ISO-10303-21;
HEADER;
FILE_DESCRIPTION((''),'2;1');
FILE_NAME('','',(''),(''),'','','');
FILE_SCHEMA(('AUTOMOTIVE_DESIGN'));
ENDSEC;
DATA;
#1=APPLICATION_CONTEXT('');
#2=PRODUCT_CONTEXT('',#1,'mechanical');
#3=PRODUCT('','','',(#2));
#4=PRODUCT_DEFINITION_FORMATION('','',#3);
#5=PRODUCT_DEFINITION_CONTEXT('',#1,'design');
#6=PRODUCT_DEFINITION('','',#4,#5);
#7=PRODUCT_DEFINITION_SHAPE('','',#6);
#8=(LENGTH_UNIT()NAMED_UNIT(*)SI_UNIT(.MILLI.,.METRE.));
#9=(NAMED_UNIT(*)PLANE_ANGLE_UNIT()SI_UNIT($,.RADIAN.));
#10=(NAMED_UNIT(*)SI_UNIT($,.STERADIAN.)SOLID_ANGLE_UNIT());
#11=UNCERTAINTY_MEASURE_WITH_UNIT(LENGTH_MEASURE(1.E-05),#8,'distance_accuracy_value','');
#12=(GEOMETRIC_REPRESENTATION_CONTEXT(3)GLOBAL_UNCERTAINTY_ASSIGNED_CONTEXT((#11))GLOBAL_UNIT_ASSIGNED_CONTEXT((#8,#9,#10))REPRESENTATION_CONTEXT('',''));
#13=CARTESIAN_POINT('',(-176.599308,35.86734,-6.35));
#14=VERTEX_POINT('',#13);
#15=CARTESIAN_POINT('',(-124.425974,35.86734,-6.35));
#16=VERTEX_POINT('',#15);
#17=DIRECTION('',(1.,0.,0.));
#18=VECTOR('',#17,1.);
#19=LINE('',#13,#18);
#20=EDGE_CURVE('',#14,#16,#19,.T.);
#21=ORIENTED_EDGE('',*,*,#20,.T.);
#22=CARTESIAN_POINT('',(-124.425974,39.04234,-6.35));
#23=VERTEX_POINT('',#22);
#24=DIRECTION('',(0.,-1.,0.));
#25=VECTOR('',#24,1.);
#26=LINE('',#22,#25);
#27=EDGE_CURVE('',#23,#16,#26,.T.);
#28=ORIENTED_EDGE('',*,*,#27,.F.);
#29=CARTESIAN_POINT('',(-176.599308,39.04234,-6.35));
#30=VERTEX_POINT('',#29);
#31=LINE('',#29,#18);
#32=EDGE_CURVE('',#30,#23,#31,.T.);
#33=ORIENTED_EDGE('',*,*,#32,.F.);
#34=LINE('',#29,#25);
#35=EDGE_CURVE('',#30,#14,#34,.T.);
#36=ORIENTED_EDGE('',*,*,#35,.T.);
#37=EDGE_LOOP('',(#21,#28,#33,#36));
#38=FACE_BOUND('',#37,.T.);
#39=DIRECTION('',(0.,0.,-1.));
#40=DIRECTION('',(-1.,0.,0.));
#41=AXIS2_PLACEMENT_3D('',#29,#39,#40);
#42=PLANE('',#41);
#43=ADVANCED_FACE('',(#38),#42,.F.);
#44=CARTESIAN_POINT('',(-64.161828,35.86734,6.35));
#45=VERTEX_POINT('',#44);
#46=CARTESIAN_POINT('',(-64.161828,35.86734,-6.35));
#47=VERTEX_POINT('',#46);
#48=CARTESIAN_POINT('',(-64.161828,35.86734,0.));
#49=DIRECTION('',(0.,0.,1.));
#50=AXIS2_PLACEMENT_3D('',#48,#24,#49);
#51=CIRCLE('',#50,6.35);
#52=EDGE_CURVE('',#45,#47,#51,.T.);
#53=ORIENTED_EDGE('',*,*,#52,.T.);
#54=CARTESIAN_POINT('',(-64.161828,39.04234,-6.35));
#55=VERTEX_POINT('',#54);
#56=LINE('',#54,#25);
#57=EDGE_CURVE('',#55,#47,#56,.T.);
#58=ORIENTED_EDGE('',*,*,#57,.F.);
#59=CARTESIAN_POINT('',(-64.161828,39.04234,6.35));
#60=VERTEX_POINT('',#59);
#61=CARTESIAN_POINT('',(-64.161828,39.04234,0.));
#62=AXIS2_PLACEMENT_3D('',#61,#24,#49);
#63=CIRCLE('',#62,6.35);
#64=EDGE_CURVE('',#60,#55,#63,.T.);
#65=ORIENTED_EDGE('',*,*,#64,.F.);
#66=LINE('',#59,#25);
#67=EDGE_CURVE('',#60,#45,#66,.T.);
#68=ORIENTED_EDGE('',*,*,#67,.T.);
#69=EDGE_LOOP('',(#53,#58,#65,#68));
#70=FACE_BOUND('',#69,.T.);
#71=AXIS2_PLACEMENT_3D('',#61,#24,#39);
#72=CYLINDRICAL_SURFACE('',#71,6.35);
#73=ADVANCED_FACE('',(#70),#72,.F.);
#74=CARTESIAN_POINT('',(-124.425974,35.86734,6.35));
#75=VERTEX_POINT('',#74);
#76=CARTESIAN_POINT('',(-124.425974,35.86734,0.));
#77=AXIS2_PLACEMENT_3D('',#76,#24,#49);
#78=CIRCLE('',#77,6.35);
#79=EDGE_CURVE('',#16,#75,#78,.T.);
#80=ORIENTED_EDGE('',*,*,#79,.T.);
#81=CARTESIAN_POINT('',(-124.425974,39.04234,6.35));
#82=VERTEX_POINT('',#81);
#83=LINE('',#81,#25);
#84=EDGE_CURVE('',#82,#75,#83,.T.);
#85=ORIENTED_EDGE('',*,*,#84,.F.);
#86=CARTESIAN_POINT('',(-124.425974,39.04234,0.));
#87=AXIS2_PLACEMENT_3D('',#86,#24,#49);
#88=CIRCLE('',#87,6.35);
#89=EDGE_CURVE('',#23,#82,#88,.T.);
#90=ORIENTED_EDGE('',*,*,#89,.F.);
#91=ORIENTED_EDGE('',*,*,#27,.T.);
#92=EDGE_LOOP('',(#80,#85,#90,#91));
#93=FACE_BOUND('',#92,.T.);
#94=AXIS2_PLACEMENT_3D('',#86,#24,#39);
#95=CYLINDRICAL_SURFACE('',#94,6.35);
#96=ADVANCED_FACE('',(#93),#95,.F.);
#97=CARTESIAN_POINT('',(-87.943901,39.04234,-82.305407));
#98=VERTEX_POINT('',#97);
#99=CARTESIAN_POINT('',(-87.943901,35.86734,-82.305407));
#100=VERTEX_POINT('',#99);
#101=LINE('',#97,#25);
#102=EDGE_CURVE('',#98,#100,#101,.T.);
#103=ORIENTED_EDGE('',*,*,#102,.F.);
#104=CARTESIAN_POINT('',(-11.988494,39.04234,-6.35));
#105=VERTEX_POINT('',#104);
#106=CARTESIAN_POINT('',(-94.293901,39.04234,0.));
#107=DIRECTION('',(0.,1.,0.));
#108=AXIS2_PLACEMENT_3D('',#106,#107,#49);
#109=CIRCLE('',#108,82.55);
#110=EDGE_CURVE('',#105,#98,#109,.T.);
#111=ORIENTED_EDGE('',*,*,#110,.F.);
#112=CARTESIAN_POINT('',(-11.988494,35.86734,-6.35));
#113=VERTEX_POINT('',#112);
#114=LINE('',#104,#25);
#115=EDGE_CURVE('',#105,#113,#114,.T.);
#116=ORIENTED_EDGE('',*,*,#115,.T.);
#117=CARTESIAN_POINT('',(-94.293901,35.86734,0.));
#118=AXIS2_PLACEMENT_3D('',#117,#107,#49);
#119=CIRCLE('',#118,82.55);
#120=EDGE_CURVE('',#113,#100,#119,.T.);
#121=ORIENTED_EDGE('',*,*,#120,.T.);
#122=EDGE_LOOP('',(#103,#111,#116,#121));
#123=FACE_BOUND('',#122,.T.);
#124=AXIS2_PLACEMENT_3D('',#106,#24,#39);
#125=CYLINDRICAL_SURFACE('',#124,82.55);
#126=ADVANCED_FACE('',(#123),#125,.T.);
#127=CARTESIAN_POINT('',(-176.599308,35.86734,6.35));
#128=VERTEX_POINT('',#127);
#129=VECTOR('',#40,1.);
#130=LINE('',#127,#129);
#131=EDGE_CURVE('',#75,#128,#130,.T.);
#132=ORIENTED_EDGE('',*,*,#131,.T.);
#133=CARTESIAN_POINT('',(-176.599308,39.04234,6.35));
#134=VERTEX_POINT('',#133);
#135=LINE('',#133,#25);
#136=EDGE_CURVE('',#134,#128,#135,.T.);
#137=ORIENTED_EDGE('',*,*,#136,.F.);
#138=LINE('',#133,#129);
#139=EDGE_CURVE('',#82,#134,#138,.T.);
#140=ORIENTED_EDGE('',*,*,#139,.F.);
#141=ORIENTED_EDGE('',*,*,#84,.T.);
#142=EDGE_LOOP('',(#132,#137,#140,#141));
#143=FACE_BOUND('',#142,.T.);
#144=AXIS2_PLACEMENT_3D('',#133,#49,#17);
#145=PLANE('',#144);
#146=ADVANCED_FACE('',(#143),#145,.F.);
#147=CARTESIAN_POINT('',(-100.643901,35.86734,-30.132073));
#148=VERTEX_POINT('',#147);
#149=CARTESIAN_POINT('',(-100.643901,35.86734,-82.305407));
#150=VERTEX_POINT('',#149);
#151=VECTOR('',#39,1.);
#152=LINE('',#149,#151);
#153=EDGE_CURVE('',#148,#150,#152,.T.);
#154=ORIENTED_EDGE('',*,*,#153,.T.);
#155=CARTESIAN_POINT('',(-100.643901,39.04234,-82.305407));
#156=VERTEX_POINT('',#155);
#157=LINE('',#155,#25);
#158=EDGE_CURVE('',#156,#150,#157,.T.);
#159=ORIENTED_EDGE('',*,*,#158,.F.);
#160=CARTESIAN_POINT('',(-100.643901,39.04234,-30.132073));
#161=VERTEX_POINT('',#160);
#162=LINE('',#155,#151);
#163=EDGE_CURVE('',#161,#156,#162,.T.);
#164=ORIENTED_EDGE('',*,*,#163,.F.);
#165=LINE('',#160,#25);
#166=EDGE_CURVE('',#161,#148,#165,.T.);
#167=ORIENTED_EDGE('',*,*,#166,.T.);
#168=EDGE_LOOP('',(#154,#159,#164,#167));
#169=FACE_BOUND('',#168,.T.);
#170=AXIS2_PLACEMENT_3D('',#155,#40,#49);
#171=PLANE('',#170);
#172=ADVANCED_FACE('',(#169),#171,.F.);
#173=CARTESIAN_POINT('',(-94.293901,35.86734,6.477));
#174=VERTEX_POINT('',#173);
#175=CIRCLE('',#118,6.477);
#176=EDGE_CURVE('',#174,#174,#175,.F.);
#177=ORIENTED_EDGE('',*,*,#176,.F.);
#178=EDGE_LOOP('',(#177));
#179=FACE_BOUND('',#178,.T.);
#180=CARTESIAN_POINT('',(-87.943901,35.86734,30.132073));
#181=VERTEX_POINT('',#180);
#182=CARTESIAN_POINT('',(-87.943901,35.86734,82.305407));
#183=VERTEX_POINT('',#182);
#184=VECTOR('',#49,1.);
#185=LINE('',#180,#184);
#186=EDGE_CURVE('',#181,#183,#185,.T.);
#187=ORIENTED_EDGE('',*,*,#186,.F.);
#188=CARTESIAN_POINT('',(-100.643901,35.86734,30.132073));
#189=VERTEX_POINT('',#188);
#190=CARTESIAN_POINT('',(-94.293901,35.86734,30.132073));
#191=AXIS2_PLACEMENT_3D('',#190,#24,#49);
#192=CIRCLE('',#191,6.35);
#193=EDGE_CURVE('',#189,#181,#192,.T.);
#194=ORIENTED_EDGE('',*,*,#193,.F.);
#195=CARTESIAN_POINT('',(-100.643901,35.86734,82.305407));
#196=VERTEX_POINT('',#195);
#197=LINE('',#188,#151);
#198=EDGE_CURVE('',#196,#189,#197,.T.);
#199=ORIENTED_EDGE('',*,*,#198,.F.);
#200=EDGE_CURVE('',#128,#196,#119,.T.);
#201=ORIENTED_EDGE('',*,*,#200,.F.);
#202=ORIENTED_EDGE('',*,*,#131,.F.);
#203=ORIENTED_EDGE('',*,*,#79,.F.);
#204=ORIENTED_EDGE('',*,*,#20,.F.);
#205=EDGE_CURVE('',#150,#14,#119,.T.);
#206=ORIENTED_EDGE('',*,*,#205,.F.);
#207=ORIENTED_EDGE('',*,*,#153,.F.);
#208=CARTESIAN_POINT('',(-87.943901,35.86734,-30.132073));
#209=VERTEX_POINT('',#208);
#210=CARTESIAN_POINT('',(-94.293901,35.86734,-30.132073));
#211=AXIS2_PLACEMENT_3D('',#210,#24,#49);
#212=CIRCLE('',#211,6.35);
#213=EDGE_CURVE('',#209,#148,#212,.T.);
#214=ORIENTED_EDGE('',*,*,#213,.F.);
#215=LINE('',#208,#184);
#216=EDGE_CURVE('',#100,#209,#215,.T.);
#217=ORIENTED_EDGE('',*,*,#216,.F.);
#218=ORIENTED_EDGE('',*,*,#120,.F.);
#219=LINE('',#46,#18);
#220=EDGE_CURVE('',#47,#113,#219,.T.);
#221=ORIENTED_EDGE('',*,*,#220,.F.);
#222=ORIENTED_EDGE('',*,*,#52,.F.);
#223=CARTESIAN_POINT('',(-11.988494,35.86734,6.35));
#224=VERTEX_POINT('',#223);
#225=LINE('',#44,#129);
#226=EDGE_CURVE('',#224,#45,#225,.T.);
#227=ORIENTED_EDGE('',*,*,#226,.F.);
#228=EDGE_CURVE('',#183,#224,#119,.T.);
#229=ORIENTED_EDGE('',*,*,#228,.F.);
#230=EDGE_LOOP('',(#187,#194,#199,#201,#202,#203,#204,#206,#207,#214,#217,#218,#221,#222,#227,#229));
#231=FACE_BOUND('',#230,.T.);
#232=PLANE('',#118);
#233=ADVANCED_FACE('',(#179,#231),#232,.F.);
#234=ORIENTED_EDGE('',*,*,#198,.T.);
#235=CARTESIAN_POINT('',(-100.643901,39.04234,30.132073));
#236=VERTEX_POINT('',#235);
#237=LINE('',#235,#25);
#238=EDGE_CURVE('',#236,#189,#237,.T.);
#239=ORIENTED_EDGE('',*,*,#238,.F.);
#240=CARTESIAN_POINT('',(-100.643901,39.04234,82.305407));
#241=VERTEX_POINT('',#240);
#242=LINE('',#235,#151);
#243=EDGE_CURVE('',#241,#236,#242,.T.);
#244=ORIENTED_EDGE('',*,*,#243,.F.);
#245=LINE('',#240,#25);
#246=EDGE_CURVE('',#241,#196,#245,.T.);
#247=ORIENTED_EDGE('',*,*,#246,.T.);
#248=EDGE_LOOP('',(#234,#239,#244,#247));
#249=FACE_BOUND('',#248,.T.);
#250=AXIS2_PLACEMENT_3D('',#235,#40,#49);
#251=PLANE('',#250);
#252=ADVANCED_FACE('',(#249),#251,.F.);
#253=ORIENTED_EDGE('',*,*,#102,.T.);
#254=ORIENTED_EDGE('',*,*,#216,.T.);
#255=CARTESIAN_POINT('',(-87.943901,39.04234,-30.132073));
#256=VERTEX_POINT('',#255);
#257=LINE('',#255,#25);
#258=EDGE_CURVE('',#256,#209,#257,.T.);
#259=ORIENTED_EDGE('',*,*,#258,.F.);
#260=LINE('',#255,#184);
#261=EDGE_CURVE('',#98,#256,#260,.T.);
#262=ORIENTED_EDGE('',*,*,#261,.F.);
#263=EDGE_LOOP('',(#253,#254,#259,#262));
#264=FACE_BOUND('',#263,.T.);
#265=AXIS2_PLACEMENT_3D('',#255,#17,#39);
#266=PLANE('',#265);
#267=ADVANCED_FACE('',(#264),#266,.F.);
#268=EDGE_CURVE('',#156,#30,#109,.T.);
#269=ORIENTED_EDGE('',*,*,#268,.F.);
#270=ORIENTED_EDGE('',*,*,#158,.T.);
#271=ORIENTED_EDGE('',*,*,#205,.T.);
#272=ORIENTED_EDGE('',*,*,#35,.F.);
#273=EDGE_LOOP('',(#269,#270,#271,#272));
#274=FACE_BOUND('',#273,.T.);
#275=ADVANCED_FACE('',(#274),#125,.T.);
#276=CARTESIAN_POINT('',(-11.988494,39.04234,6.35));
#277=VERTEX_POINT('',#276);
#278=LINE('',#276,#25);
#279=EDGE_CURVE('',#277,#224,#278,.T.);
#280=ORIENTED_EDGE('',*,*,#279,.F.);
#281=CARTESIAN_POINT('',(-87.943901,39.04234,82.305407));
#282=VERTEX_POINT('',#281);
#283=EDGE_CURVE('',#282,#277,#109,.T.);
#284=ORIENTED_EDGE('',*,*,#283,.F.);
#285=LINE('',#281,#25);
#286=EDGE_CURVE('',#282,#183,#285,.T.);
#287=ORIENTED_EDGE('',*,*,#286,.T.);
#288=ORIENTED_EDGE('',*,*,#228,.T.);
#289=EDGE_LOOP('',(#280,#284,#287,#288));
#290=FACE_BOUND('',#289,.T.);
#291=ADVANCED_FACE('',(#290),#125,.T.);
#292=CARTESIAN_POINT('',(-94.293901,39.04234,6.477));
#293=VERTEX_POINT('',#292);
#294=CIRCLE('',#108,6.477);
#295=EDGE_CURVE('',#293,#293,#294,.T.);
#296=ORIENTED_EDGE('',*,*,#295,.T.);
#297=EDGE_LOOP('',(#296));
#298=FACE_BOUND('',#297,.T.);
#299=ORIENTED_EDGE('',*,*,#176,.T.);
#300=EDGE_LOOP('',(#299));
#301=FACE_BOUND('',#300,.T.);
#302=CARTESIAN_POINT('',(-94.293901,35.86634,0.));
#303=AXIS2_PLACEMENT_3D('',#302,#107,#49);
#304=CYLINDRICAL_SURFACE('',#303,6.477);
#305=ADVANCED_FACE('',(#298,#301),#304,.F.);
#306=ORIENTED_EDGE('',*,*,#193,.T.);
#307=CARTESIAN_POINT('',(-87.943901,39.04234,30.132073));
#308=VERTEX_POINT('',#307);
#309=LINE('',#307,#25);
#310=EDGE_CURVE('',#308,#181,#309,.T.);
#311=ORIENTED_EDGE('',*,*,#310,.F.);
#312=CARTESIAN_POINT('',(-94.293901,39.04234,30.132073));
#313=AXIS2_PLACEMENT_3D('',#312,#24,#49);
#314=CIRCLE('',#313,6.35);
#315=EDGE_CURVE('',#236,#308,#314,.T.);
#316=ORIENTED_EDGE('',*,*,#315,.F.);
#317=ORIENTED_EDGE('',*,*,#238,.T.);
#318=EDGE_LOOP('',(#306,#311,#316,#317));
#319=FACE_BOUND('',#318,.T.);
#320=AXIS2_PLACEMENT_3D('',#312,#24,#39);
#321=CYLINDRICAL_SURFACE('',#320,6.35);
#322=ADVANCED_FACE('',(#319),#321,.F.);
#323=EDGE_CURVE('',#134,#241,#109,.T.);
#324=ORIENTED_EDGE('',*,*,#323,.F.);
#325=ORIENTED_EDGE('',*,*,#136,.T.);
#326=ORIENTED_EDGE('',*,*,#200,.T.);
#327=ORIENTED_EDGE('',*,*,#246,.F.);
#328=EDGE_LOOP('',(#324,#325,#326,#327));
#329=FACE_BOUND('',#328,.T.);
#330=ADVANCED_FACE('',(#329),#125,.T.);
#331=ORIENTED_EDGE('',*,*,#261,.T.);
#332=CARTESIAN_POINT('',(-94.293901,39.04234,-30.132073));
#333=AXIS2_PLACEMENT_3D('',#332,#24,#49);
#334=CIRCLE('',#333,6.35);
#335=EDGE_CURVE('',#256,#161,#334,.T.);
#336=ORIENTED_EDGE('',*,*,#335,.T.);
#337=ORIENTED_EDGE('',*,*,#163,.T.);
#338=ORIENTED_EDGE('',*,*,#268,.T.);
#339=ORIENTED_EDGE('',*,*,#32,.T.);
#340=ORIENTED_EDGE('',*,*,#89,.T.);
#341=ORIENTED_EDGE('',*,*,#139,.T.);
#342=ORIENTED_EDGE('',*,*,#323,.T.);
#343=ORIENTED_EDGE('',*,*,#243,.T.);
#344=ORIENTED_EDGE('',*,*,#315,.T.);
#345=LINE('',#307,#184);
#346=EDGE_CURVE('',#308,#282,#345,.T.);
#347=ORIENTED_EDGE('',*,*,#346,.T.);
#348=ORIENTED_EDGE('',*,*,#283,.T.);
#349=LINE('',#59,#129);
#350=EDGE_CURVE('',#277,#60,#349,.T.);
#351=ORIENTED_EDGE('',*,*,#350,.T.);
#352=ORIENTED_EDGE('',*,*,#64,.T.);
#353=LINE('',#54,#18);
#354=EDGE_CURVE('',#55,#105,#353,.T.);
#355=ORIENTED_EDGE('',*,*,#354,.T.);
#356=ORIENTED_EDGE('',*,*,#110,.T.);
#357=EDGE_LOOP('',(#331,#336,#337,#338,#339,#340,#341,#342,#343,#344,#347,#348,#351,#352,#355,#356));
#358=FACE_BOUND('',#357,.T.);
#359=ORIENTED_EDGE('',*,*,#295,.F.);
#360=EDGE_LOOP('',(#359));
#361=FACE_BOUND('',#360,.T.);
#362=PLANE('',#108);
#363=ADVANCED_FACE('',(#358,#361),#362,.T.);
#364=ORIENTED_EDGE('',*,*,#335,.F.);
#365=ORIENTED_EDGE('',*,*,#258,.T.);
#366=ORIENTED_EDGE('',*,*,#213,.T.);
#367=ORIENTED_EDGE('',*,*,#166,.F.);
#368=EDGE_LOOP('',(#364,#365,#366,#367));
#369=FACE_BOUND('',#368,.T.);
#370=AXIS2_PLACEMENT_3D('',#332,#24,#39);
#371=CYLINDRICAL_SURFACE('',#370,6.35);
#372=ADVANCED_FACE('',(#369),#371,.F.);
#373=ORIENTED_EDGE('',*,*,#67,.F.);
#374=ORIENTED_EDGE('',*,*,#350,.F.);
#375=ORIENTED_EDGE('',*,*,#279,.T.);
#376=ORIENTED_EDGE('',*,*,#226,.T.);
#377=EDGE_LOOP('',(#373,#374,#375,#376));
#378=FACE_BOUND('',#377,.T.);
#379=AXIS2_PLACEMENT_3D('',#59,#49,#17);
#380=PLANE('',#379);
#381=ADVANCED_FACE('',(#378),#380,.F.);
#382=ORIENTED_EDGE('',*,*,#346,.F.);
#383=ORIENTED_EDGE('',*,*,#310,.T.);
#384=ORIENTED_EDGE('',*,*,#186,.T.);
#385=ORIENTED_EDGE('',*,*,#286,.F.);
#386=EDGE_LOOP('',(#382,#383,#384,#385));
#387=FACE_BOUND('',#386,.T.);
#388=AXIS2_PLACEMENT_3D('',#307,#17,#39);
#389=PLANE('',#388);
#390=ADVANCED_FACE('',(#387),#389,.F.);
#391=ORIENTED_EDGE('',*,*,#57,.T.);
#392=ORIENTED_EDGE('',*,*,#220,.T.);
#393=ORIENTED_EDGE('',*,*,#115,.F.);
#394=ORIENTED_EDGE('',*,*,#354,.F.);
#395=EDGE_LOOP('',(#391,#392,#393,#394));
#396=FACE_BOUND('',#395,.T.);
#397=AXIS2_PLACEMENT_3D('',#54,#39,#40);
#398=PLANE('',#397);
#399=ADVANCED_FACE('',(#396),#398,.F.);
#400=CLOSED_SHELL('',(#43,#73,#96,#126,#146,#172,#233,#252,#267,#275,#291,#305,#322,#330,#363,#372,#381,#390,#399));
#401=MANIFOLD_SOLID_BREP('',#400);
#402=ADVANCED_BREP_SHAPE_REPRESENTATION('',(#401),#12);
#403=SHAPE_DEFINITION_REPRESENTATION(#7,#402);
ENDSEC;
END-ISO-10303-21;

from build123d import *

# Parameters (mm, degrees)
BOSS_EXTRUDE1_DEPTH = 3.175
CUT_EXTRUDE1_REACH  = 5.175
SKETCH5_R           = 6.477


with BuildPart() as part:
    # Sketch4 → Boss-Extrude1 (new body)
    with BuildSketch(Plane(origin=(0, 35.86734, 0), x_dir=(1, 0, 0), z_dir=(0, 1, 0))):
        with BuildLine():
            Line((-176.599307952, 6.35), (-124.425974424, 6.35))
            ThreePointArc((-124.425974424, 6.35), (-118.075974424, 0), (-124.425974424, -6.35))
            Line((-124.425974424, -6.35), (-176.599307952, -6.35))
            ThreePointArc((-176.599307952, -6.35), (-152.665565869, -58.371664787), (-100.643901082, -82.30540687))
            Line((-100.643901082, -82.30540687), (-100.643901082, -30.132073341))
            ThreePointArc((-100.643901082, -30.132073341), (-94.293901082, -23.782073341), (-87.943901082, -30.132073341))
            Line((-87.943901082, -30.132073341), (-87.943901082, -82.30540687))
            ThreePointArc((-87.943901082, -82.30540687), (-35.922236295, -58.371664787), (-11.988494212, -6.35))
            Line((-11.988494212, -6.35), (-64.161827741, -6.35))
            ThreePointArc((-64.161827741, -6.35), (-70.511827741, 0), (-64.161827741, 6.35))
            Line((-64.161827741, 6.35), (-11.988494212, 6.35))
            ThreePointArc((-11.988494212, 6.35), (-35.922236295, 58.371664787), (-87.943901082, 82.30540687))
            Line((-87.943901082, 82.30540687), (-87.943901082, 30.132073341))
            ThreePointArc((-87.943901082, 30.132073341), (-94.293901082, 23.782073341), (-100.643901082, 30.132073341))
            Line((-100.643901082, 30.132073341), (-100.643901082, 82.30540687))
            ThreePointArc((-100.643901082, 82.30540687), (-152.665565869, 58.371664787), (-176.599307952, 6.35))
        make_face()
    extrude(amount=BOSS_EXTRUDE1_DEPTH)

    # Sketch5 → Cut-Extrude1 (cut, up to next)
    with BuildSketch(Plane(origin=(0, 39.04234, 0), x_dir=(1, 0, 0), z_dir=(0, 1, 0)), mode=Mode.PRIVATE) as cut_extrude1_sk1:
        with Locations((-94.293901082, 0)):
            Circle(SKETCH5_R)
    cut_extrude1_tool1 = extrude(cut_extrude1_sk1.sketch, amount=-CUT_EXTRUDE1_REACH, mode=Mode.PRIVATE) & part.part
    add(cut_extrude1_tool1.solids().sort_by_distance((-94.293901, 39.04234, 0))[0], mode=Mode.SUBTRACT)


solid = part.part
